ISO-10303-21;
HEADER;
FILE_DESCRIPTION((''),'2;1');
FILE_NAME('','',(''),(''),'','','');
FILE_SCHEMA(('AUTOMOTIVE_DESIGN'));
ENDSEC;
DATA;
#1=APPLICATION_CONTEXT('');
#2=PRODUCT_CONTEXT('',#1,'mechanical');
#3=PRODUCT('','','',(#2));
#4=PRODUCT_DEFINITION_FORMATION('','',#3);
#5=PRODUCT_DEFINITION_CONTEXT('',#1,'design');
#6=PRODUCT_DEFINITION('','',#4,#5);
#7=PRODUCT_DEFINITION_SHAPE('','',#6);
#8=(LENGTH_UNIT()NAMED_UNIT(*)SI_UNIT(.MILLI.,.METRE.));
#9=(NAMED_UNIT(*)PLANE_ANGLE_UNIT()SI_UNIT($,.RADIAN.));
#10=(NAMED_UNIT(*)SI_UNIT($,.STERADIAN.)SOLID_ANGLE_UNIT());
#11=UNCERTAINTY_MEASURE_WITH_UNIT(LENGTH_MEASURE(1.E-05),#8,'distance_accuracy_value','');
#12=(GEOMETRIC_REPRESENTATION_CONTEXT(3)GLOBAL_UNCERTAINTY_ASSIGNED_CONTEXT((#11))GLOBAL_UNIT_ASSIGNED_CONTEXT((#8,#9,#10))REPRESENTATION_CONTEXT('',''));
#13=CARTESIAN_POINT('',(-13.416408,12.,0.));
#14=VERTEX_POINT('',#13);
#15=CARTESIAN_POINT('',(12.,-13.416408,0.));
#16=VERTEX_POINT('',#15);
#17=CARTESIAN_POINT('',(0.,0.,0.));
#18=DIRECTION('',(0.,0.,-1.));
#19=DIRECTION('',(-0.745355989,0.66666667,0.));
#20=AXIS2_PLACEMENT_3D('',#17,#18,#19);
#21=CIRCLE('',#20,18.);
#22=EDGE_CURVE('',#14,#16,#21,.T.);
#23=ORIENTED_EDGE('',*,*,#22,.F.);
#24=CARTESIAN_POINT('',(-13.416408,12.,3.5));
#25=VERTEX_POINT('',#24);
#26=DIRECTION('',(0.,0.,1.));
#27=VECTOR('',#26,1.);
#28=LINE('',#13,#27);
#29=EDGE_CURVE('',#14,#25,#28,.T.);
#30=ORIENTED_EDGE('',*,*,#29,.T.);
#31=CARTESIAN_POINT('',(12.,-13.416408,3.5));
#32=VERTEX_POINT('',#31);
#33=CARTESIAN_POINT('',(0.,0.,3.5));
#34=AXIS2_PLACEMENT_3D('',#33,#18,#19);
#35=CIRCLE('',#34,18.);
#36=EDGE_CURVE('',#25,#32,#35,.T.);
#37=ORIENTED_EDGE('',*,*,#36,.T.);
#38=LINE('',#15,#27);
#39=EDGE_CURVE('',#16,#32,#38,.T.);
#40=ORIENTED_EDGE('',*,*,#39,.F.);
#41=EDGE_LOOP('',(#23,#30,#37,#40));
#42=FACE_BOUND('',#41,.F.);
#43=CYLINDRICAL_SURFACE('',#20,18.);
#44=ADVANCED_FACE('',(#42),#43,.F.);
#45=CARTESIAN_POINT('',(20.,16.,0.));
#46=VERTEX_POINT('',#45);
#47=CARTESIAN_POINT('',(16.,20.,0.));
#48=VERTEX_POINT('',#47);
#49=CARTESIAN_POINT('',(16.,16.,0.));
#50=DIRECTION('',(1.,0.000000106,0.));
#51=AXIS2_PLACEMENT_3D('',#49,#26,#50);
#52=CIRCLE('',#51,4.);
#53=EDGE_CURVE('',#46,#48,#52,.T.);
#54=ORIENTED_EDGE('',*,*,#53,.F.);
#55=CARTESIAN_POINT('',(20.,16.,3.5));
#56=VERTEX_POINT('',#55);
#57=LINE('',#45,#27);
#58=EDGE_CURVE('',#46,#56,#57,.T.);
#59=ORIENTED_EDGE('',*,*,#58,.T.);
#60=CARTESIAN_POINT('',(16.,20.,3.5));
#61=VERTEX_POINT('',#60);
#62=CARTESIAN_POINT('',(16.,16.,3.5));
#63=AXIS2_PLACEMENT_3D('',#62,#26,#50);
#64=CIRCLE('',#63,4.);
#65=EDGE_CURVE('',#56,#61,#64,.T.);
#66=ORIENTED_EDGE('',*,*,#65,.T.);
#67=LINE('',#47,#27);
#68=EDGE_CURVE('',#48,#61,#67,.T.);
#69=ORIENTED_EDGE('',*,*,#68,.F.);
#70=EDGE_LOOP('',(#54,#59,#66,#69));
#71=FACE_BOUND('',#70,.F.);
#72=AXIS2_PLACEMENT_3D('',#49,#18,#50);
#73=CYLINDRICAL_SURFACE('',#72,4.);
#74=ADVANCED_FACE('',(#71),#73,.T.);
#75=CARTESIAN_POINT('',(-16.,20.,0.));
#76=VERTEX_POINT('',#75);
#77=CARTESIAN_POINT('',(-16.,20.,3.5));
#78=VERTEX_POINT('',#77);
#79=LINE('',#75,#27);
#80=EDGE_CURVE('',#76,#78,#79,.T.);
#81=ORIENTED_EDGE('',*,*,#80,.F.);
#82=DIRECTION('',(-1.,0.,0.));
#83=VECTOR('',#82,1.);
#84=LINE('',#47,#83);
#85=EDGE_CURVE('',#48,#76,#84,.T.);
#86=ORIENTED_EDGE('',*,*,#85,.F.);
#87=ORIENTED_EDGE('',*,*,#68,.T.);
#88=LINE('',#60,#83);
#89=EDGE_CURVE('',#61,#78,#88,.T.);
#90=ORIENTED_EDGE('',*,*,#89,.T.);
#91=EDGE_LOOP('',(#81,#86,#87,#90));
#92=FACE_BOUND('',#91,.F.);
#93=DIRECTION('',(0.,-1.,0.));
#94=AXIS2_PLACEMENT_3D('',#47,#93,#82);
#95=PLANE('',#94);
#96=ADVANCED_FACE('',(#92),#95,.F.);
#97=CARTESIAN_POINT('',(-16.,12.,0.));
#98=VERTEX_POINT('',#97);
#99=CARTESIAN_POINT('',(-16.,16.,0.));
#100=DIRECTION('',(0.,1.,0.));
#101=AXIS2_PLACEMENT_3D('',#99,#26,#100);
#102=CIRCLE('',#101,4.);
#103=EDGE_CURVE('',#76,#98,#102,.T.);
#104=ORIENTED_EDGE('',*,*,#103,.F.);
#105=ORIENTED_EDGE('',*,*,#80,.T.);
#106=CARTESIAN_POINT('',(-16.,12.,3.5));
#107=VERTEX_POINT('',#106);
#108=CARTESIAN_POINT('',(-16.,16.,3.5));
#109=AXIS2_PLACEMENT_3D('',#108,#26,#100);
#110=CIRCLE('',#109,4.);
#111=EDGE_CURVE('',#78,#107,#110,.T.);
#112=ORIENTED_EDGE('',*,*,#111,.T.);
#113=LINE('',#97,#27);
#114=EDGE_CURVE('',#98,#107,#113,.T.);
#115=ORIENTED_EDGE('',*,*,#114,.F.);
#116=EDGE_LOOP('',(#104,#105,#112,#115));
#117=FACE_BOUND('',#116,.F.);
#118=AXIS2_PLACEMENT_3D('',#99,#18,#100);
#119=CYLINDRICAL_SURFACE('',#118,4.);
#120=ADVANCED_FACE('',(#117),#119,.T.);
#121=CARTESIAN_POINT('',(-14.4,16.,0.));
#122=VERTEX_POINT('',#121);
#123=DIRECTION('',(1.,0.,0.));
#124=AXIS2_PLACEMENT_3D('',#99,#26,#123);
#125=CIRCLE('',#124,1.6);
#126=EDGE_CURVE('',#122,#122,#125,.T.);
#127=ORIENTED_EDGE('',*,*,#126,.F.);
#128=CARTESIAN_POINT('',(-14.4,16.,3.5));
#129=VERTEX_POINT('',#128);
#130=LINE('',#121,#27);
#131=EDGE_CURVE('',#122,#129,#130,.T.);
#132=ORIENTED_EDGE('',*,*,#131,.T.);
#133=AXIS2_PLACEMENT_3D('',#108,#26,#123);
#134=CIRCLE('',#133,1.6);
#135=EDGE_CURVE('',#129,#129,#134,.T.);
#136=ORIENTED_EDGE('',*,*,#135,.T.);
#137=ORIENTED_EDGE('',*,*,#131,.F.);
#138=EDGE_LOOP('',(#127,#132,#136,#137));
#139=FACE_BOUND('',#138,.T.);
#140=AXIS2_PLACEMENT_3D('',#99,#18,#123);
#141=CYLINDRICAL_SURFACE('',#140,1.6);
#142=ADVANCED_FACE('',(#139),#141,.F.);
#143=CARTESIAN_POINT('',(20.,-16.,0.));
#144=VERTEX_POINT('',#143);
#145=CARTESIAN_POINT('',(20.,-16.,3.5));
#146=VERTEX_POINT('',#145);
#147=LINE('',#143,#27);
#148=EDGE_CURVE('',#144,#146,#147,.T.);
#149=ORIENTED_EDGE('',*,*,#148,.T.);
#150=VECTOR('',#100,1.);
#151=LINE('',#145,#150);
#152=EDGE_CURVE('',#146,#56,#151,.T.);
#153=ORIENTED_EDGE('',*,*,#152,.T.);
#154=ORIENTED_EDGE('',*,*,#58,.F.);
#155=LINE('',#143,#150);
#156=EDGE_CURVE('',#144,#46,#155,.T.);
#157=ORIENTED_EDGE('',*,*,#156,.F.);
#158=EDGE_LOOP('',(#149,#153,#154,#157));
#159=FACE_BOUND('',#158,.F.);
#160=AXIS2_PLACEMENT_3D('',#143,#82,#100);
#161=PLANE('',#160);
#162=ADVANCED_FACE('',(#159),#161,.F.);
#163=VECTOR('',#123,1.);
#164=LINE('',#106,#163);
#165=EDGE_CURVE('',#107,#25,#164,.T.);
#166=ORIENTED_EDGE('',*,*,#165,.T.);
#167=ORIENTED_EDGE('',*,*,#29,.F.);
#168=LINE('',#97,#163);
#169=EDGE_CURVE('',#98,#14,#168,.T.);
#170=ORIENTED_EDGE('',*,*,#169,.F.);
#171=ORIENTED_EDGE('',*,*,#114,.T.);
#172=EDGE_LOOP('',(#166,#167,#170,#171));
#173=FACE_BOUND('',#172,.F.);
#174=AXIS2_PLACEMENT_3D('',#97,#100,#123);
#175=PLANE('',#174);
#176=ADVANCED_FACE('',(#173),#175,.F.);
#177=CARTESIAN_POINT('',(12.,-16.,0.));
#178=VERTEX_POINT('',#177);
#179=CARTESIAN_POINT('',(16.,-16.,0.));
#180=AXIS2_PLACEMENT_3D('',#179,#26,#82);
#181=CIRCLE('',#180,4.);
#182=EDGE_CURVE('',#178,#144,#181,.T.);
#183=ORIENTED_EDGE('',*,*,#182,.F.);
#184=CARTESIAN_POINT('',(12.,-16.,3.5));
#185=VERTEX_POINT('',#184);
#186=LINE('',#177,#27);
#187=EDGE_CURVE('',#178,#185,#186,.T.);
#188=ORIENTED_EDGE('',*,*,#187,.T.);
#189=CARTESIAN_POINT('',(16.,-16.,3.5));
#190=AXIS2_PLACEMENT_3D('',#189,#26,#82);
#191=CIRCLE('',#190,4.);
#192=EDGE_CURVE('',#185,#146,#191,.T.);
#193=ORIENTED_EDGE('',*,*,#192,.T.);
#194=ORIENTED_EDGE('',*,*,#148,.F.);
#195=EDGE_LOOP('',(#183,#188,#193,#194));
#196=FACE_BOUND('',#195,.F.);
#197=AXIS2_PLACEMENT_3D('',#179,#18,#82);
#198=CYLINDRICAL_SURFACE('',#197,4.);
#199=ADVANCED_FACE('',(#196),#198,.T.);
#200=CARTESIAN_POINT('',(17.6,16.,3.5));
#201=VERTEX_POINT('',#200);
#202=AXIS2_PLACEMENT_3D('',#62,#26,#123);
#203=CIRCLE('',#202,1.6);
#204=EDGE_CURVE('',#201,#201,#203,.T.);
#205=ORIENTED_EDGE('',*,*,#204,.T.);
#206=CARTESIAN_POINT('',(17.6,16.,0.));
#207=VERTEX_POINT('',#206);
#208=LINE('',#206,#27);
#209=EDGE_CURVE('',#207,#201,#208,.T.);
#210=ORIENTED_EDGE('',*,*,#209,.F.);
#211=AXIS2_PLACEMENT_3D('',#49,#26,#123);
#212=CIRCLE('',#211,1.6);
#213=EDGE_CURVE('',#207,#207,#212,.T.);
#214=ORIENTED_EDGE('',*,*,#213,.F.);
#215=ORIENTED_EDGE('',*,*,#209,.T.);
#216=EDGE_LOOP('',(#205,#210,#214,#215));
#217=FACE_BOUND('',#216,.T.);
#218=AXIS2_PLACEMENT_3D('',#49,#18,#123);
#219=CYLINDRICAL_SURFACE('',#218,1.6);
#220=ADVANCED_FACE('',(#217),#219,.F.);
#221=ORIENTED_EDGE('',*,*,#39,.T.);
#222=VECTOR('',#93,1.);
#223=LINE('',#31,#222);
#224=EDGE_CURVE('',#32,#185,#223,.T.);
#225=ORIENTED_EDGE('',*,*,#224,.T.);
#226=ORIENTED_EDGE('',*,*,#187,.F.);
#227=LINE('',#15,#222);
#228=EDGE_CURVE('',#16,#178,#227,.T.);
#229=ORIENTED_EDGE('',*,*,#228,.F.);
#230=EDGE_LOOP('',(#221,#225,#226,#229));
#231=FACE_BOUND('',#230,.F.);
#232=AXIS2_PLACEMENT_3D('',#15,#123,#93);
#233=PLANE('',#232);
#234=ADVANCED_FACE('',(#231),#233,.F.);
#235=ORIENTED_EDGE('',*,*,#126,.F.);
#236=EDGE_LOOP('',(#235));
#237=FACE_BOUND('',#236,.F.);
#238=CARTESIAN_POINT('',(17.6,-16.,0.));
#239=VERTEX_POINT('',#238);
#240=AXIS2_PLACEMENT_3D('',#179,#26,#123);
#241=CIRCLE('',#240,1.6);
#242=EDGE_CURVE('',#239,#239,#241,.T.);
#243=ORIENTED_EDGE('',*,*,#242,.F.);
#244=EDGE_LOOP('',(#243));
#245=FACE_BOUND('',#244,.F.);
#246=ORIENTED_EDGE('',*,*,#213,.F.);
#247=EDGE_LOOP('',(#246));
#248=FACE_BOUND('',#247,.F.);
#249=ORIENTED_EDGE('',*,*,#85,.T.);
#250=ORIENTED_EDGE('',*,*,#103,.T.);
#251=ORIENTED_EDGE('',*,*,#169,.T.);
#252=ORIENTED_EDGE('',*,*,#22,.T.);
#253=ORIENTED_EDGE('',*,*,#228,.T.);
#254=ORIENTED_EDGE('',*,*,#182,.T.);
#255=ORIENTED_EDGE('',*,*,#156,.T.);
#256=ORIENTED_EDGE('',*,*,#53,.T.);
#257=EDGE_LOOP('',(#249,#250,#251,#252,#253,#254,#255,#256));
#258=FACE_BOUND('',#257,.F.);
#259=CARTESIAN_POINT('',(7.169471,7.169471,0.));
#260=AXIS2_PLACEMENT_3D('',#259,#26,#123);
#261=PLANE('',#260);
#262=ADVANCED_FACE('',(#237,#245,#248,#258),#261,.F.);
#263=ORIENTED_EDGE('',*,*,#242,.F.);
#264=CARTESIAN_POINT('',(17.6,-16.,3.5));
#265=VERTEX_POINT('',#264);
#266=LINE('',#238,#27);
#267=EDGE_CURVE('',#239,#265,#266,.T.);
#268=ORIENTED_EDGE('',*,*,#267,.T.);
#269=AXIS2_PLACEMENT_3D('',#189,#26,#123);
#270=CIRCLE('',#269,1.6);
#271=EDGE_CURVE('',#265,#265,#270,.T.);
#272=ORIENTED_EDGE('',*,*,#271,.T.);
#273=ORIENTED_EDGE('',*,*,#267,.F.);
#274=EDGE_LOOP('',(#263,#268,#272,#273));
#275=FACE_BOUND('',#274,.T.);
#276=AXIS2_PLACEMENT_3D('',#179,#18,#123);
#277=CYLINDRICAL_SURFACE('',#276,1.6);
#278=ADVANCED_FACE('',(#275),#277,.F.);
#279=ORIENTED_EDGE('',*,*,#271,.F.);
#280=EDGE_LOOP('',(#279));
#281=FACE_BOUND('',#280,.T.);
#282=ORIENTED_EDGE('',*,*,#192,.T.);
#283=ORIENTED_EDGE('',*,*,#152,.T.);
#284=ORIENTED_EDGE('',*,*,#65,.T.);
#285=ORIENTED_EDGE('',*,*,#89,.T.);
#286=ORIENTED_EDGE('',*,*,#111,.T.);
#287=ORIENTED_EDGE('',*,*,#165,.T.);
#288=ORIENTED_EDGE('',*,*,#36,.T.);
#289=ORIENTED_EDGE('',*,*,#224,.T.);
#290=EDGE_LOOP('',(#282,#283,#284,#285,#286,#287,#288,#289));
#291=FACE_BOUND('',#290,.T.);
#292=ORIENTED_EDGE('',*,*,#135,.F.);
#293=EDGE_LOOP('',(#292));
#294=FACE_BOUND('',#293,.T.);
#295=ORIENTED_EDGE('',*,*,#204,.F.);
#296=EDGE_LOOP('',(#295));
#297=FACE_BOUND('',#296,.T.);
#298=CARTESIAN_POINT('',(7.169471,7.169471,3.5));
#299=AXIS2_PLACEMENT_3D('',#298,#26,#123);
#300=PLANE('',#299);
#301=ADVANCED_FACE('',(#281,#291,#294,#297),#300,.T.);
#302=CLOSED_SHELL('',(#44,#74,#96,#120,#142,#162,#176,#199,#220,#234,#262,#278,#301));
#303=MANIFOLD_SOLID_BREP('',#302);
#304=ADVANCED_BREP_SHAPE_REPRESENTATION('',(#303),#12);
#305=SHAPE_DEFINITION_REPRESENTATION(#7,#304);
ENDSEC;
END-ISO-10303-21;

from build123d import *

# Parameters (mm, degrees)
F0_R     = 1.6
F1_DEPTH = 3.5


with BuildPart() as f1:
    # F0 (on Top) → F1 (new body)
    with BuildSketch(Plane.XY):
        with BuildLine():
            Line((16, 20), (-16, 20))
            ThreePointArc((-16, 20), (-20, 16), (-16, 12))
            Line((-16, 12), (-13.416408, 12))
            ThreePointArc((-13.416408, 12), (12.727922, 12.727922), (12, -13.416408))
            Line((12, -13.416408), (12, -16))
            ThreePointArc((12, -16), (16, -20), (20, -16))
            Line((20, -16), (20, 16))
            ThreePointArc((20, 16), (18.828427, 18.828427), (16, 20))
        make_face()
        with Locations((16, -16)):
            Circle(F0_R, mode=Mode.SUBTRACT)
        with Locations((-16, 16)):
            Circle(F0_R, mode=Mode.SUBTRACT)
        with Locations((16, 16)):
            Circle(F0_R, mode=Mode.SUBTRACT)
    extrude(amount=F1_DEPTH)


solid = f1.part
